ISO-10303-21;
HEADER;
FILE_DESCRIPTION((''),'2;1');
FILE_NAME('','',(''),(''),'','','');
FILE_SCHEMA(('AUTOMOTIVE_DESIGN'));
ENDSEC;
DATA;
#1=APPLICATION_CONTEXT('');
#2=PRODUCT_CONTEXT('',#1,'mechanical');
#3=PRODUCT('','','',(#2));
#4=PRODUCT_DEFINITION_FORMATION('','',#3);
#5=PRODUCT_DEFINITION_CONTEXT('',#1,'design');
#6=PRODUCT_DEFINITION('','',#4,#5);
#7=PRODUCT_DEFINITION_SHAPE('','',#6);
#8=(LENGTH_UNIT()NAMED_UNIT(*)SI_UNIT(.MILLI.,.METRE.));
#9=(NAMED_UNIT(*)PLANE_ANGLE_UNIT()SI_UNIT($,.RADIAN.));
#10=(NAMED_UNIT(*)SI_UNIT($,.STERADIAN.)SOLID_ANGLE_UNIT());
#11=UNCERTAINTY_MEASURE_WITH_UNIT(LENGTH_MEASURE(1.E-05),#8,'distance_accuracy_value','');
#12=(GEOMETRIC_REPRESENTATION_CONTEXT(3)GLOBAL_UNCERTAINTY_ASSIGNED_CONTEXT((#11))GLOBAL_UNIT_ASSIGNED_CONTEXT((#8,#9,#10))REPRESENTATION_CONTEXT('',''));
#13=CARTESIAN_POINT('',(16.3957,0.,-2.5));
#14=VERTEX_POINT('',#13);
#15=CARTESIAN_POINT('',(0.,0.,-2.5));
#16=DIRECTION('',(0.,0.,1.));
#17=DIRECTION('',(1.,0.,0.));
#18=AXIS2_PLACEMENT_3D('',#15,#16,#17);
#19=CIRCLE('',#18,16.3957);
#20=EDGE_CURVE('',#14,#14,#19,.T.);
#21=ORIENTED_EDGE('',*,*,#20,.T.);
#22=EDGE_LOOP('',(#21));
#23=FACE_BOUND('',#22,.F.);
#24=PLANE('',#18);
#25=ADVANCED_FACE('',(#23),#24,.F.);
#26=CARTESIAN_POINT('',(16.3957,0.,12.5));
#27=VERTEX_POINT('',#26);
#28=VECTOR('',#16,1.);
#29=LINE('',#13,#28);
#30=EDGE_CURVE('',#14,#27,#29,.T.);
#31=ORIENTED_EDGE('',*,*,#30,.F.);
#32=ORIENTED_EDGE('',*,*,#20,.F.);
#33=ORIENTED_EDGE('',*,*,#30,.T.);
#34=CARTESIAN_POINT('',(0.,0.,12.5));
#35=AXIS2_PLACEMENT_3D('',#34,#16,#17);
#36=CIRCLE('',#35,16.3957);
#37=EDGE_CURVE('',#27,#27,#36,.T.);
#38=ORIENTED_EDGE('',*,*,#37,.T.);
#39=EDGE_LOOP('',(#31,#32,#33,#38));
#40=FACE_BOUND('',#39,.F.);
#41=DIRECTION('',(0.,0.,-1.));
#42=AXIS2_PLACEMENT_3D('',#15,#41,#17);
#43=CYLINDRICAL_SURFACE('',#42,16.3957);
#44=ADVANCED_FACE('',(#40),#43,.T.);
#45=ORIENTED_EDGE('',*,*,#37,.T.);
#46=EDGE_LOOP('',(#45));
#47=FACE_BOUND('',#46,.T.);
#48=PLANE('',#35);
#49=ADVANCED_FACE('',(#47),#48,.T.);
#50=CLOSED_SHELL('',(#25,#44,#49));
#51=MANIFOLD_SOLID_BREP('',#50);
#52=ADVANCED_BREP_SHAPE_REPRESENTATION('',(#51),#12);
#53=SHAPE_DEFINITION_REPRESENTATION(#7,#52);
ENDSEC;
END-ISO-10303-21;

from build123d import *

# Parameters (mm, degrees)
CYLINDER_R     = 16.3957
CYLINDER_DEPTH = 15


with BuildPart() as part:
    # Cylinder → Cylinder (new body)
    with BuildSketch(Plane.XY.offset(-2.5)):
        Circle(CYLINDER_R)
    extrude(amount=CYLINDER_DEPTH)


solid = part.part
